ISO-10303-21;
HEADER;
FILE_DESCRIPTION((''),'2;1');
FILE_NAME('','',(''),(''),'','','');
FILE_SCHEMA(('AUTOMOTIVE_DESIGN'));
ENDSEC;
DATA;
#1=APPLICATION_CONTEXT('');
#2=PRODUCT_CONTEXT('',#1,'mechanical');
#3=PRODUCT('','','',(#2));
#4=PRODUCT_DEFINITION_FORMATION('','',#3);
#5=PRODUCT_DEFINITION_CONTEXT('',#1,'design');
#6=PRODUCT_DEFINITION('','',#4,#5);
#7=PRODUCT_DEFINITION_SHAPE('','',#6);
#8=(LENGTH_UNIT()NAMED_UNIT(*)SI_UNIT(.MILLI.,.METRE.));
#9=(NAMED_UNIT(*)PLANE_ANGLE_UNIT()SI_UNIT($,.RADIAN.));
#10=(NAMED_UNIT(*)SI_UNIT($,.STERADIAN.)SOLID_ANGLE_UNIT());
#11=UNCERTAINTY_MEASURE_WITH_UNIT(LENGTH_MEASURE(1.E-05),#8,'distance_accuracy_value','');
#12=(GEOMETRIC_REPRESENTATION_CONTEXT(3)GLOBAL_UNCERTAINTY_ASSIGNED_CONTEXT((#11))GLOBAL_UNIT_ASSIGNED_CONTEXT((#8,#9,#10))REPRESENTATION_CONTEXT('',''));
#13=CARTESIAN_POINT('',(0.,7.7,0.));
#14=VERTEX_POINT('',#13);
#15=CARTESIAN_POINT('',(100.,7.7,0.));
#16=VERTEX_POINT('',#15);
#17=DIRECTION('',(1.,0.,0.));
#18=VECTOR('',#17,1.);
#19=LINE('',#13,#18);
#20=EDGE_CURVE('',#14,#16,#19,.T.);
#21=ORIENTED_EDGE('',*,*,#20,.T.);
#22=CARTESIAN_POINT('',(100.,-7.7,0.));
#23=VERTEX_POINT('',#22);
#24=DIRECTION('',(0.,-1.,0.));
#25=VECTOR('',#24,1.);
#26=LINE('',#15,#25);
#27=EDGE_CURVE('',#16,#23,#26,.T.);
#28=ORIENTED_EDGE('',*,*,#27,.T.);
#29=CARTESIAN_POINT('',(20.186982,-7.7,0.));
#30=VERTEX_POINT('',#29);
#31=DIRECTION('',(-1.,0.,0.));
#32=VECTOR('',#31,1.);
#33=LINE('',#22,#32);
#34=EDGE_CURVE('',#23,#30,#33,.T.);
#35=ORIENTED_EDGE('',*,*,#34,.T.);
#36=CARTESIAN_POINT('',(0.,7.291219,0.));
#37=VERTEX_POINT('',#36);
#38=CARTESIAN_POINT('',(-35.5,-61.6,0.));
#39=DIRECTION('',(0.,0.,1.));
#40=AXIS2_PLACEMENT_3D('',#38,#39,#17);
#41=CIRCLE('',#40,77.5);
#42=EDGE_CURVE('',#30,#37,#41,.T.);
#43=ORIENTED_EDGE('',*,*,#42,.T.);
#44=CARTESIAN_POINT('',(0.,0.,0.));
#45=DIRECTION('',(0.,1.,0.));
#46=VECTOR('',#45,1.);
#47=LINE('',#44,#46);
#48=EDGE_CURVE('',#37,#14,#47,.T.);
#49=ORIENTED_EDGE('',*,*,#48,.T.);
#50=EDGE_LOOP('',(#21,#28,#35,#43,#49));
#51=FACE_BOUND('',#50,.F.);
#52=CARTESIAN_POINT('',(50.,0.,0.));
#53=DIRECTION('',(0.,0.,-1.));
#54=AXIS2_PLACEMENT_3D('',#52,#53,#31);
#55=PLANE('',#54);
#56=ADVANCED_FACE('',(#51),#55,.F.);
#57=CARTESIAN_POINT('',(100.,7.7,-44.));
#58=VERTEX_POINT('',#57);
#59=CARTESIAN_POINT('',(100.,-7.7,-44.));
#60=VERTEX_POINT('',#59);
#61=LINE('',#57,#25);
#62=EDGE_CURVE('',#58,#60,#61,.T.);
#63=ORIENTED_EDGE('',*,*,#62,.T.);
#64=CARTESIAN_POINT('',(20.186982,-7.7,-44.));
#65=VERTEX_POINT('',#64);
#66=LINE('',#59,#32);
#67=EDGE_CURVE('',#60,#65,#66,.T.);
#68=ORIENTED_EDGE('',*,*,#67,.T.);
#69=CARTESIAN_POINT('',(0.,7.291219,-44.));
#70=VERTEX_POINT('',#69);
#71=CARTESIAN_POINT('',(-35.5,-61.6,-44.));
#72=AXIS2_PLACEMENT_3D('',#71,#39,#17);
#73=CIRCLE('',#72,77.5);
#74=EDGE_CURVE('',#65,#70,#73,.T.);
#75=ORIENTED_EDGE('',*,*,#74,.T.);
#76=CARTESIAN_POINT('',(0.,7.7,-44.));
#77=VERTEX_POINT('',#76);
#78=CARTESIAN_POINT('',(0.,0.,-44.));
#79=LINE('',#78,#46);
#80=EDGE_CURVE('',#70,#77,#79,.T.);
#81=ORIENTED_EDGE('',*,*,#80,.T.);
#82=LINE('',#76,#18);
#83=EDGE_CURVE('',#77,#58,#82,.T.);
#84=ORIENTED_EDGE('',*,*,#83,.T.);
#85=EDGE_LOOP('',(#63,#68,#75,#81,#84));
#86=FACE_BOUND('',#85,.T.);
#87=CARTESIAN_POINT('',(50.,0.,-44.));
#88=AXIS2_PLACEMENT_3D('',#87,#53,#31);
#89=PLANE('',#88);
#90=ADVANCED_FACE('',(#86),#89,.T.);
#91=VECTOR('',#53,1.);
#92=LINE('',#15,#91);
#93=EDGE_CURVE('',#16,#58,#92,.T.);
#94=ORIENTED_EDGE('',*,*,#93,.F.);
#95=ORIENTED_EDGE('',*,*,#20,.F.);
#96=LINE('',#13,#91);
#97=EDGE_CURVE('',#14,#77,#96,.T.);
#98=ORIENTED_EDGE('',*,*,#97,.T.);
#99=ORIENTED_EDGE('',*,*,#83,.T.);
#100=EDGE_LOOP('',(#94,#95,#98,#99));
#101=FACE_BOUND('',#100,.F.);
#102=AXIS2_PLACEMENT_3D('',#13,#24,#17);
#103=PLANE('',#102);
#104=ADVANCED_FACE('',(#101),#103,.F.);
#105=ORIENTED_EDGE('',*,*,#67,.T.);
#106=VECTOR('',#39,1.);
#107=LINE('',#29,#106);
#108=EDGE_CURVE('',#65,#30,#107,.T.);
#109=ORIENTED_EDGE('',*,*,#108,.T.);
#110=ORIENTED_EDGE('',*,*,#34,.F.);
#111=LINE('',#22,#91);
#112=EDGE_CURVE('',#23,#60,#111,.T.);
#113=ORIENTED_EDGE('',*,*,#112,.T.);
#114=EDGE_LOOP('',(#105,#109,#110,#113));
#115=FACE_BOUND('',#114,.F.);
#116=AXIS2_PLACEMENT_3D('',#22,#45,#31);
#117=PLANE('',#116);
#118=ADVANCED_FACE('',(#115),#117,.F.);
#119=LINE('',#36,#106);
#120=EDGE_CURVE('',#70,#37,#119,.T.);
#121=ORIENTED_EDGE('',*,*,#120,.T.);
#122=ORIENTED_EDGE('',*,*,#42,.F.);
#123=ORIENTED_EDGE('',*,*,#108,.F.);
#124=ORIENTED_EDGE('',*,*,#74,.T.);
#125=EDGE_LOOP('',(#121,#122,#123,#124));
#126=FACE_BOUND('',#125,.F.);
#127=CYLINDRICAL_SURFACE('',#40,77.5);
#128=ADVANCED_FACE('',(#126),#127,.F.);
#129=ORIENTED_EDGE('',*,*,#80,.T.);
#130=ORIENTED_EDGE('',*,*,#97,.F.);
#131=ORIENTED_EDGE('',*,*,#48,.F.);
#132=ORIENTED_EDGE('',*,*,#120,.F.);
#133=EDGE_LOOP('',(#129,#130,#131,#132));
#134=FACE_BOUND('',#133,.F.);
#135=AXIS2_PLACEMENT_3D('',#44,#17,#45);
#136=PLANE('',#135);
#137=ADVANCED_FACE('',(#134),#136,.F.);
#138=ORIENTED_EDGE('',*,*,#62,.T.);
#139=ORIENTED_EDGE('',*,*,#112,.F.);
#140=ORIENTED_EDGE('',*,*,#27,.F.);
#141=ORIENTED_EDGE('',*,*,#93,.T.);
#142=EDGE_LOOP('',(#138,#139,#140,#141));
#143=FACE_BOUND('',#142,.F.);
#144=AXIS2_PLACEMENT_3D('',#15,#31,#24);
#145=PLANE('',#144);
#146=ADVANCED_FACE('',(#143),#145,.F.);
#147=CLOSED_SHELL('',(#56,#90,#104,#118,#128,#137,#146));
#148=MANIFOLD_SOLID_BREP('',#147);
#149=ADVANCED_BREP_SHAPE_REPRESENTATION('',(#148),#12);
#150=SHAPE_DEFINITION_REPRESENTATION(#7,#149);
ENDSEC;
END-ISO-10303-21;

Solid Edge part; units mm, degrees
sketch "Sketch1" plane through (0, 0, 0) normal (0, 0, 1) x (1, 0, 0)
  line L0 (0, 0) -> (0, 7.7)
  line L1 (0, 7.7) -> (100, 7.7)
  line L2 (100, 7.7) -> (100, -7.7)
  line L3 (100, -7.7) -> (0, -7.7)
  line L4 (0, -7.7) -> (0, 0)
extrude "Protrusion1" add sketch "Sketch1" against normal blind 44
sketch "Sketch2" plane through (50, 0, 0) normal (0, 0, 1) x (1, 0, 0)
  circle A0 centre (-85.5, -61.6) radius 77.5
extrude "Recorte_Extrudado_1" cut sketch "Sketch2" against normal blind 44
